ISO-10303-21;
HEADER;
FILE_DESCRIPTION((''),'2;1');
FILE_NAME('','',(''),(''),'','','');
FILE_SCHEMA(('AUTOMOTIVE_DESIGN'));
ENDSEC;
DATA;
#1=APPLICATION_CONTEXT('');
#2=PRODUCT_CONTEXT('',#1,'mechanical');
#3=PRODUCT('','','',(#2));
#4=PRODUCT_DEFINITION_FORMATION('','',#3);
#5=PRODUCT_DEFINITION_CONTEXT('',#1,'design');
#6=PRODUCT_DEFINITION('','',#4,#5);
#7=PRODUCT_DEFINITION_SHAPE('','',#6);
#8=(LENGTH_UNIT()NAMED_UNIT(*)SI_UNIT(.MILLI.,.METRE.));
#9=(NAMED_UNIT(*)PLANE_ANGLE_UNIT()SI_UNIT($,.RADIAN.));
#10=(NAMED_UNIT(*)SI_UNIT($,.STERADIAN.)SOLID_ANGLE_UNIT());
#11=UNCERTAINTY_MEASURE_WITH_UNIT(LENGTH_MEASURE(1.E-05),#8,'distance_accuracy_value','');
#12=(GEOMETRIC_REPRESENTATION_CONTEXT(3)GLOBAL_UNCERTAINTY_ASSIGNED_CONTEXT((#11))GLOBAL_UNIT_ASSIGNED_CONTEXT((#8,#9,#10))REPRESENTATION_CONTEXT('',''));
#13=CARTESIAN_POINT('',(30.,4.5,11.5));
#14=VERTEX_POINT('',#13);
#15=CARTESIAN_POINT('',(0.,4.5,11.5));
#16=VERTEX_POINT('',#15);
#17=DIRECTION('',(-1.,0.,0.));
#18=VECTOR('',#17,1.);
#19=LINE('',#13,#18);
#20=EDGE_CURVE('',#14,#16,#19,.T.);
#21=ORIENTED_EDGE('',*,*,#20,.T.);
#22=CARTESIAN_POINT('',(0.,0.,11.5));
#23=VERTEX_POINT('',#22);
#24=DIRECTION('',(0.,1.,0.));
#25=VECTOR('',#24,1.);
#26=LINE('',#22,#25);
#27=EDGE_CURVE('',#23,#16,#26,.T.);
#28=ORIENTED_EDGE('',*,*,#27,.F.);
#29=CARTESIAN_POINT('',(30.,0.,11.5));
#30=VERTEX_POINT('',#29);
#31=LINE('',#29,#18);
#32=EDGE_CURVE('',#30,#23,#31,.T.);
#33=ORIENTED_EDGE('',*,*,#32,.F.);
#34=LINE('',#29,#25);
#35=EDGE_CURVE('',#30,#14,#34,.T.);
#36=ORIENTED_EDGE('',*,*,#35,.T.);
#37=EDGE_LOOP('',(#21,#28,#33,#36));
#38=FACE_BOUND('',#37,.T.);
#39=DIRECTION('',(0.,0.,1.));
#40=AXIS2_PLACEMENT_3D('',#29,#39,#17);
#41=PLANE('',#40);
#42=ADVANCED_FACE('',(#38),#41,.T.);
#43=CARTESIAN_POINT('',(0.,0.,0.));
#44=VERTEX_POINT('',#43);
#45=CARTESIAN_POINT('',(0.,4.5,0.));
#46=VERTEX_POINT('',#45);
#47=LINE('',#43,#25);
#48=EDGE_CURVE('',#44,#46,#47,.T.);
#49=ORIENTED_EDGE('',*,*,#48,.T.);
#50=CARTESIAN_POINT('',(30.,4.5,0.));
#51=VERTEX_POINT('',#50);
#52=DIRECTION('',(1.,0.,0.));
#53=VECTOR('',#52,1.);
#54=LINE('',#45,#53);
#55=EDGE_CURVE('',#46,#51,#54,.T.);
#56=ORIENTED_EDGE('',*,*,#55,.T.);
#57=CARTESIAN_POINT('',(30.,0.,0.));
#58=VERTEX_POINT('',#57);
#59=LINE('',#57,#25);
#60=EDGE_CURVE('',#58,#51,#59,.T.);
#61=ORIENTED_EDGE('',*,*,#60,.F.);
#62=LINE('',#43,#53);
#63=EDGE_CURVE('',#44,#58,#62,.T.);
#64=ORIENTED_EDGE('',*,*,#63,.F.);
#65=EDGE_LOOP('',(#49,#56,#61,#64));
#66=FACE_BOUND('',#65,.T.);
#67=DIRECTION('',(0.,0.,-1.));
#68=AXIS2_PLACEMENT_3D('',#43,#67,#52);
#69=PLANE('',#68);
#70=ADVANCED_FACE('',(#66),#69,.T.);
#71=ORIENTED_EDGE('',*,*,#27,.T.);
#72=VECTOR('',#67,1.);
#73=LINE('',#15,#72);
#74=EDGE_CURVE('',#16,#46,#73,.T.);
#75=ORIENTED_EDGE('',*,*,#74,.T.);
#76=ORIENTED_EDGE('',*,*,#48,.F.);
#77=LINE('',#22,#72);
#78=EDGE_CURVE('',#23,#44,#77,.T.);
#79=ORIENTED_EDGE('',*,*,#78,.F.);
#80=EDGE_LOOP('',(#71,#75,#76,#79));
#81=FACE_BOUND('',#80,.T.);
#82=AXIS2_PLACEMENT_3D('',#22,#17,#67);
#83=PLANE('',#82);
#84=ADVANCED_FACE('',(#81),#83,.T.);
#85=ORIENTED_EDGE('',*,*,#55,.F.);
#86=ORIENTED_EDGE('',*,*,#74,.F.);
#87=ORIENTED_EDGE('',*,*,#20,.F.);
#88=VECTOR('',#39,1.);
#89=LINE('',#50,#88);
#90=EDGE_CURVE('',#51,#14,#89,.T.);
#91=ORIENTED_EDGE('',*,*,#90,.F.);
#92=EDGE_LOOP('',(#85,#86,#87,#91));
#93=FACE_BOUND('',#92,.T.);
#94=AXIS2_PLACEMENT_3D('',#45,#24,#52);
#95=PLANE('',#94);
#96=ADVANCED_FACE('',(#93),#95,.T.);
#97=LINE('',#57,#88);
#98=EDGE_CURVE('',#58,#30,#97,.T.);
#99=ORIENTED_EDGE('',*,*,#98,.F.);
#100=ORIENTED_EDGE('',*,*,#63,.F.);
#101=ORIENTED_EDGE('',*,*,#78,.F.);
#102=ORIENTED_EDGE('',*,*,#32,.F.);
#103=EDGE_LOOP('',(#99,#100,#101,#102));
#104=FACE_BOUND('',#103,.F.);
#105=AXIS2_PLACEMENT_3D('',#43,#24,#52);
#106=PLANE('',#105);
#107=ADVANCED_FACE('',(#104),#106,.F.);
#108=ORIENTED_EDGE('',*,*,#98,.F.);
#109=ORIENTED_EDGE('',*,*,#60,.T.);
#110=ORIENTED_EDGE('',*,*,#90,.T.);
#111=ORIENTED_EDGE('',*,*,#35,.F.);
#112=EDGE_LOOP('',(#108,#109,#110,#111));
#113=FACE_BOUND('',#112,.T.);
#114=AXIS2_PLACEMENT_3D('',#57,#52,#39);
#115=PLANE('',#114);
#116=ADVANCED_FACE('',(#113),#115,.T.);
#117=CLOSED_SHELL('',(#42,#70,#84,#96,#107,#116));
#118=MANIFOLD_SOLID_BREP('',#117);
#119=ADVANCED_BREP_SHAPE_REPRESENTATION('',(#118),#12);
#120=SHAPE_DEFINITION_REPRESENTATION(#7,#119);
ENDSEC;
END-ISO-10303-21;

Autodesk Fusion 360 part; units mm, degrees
sketch "Sketch1" plane through (0, 0, 0) normal (0, 1, 0) x (1, 0, 0)
  line L0 (0, 0) -> (30, 0)
  line L1 (30, 0) -> (30, -11.5)
  line L2 (30, -11.5) -> (0, -11.5)
  line L3 (0, -11.5) -> (0, 0)
  dimension "d1" = 30
  dimension "d2" = 11.5
extrude "Extrude1" add sketch "Sketch1" along normal blind 4.5
